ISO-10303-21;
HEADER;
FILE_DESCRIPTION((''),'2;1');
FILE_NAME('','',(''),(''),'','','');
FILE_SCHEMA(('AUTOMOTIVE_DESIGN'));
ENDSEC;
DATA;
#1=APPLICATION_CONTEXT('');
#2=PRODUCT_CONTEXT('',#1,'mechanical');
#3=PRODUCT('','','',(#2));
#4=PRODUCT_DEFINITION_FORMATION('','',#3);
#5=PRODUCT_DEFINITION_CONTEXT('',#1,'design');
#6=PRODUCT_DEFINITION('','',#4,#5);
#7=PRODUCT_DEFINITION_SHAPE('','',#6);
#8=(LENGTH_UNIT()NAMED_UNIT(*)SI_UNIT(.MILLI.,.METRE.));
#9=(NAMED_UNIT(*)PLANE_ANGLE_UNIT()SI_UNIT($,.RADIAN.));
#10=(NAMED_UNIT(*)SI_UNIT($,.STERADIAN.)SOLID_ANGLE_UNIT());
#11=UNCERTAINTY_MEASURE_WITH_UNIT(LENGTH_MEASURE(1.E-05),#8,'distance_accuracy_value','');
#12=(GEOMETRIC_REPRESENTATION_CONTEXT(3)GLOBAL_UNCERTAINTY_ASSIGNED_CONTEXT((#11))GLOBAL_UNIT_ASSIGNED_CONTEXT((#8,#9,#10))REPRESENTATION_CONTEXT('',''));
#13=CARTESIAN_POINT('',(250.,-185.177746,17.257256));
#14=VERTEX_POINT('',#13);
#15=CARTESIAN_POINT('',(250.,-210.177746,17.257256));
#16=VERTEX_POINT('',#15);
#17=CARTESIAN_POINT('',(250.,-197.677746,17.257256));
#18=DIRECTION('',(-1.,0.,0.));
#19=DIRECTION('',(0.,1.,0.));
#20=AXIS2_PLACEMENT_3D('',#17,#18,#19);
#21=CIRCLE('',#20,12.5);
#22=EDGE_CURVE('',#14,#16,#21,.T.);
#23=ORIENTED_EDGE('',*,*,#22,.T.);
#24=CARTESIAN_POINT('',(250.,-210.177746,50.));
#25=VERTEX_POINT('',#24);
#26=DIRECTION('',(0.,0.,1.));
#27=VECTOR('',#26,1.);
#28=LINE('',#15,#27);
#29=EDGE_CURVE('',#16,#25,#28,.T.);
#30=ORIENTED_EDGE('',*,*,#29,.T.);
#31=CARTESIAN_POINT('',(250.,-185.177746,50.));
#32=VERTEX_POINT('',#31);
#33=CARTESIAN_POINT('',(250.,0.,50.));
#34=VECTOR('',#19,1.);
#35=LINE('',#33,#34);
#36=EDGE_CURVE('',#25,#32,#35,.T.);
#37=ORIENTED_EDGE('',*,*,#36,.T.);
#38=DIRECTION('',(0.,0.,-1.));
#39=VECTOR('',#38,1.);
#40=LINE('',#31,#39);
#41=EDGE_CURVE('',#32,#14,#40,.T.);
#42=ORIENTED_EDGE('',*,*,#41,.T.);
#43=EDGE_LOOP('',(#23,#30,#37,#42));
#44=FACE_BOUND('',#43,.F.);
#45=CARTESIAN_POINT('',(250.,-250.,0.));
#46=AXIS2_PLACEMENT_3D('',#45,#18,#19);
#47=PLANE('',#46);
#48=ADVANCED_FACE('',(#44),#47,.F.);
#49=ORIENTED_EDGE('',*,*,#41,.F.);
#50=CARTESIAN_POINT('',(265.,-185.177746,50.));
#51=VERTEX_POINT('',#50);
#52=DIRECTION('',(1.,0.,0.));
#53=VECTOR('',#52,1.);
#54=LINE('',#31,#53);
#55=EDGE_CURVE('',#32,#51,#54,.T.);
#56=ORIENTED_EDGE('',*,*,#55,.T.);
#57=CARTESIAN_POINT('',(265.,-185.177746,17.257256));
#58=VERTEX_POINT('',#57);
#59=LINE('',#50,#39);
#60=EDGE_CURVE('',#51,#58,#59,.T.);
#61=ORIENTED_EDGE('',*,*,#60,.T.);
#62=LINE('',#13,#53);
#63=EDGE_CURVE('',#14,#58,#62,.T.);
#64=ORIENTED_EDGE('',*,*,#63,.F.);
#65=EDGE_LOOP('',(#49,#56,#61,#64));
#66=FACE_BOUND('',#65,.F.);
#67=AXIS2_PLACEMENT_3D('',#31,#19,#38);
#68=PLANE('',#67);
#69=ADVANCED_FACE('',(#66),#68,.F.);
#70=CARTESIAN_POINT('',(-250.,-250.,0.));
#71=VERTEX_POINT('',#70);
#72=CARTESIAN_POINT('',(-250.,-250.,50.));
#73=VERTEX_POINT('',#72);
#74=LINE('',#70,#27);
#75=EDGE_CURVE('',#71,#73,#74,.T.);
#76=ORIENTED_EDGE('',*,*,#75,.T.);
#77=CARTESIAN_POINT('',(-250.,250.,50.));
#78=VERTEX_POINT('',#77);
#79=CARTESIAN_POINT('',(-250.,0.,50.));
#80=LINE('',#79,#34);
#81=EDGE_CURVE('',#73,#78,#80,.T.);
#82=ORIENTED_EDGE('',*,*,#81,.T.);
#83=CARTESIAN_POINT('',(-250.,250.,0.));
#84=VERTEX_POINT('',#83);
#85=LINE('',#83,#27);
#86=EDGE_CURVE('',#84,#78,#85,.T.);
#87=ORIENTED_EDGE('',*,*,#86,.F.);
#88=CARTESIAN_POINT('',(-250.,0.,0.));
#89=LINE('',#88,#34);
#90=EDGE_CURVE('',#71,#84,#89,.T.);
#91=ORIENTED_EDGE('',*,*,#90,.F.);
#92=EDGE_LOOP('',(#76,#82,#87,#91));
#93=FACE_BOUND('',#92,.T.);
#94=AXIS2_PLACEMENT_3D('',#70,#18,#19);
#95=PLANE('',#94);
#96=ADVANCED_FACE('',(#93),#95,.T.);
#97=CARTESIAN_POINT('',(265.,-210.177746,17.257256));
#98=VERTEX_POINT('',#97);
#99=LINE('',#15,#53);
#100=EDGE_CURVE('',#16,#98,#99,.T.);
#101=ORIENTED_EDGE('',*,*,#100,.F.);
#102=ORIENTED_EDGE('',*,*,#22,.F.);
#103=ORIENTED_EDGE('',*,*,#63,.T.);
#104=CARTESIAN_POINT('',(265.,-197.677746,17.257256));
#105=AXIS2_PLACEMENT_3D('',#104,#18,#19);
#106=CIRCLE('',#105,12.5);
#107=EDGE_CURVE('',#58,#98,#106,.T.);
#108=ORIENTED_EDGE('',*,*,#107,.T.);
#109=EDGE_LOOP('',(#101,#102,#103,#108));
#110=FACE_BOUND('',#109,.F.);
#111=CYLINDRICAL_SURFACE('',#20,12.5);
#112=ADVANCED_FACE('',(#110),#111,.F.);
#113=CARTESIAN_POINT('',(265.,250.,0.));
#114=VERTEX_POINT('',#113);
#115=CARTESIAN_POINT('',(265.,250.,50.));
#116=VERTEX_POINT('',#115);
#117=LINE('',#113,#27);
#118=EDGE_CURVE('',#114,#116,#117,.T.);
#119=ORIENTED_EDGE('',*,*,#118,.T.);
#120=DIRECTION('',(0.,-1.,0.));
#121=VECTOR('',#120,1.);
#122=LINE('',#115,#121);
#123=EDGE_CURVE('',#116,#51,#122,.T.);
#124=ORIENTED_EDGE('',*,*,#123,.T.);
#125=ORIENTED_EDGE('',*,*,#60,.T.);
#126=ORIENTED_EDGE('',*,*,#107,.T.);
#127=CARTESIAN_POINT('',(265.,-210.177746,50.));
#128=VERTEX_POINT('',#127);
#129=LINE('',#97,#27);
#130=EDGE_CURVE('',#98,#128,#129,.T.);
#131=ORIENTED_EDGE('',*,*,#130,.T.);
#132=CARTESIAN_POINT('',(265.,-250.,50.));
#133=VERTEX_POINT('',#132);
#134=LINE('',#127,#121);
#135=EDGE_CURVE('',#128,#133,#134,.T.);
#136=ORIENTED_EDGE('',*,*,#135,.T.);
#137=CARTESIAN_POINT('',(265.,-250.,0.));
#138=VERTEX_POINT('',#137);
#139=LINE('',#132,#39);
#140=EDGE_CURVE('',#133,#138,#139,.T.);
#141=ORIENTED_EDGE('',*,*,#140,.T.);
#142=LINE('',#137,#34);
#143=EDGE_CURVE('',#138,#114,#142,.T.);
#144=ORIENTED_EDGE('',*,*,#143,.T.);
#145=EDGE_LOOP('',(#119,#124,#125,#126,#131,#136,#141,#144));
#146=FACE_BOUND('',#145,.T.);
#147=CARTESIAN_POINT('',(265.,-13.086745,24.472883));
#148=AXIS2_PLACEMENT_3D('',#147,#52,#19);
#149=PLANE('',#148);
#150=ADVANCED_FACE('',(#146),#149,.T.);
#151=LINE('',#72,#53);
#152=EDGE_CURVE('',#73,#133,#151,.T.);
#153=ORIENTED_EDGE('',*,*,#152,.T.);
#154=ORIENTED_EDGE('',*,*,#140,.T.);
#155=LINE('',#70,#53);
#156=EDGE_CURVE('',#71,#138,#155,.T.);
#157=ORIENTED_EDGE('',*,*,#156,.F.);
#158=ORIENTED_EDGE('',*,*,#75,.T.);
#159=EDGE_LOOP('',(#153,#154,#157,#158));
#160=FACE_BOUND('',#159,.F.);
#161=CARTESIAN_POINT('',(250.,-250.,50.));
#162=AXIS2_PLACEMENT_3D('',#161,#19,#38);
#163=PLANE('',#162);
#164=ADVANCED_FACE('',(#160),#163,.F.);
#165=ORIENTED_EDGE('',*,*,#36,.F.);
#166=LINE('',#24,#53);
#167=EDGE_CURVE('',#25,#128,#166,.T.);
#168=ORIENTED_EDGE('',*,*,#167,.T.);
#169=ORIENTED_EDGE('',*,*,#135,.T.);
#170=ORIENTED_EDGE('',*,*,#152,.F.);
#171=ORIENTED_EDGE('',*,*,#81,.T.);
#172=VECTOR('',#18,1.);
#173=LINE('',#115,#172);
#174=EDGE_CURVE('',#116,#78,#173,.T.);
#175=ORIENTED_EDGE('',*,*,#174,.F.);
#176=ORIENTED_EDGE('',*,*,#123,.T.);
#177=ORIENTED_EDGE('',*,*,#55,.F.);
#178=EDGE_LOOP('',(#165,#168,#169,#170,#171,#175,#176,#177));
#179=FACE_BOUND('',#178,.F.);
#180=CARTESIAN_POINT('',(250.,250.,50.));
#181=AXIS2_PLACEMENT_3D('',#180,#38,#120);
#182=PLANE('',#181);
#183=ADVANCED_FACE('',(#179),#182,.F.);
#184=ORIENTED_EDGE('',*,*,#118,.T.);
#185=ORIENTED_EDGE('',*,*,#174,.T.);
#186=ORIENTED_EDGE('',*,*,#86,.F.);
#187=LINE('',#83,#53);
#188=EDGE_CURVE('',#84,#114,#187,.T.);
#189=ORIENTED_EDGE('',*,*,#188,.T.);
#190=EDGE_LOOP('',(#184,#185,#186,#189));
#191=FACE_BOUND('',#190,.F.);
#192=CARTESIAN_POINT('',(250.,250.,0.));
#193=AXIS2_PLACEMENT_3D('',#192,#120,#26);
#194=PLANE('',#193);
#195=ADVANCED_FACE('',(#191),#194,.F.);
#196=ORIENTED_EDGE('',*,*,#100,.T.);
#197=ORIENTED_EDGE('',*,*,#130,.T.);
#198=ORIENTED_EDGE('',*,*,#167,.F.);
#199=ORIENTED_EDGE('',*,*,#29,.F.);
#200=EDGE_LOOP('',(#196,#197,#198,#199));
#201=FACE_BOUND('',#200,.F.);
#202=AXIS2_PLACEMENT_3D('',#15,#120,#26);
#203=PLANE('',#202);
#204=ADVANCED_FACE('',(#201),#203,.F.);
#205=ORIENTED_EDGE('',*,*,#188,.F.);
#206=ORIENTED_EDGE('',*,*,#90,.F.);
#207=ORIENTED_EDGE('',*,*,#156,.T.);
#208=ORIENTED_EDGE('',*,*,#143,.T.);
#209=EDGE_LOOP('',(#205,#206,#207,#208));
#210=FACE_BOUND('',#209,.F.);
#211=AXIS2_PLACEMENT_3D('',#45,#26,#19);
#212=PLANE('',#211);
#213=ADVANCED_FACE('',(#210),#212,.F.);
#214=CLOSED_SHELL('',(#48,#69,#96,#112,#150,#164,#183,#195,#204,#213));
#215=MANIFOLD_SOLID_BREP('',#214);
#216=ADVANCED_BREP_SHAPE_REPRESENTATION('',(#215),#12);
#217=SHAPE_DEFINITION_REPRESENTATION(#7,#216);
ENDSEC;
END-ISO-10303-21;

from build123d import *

# Parameters (mm, degrees)
F0_W     = 500
F0_H     = 500
F1_DEPTH = 50
F3_DEPTH = 15


with BuildPart() as f1:
    # F0 (on Top) → F1 (new body)
    with BuildSketch(Plane.XY):
        Rectangle(F0_W, F0_H)
    extrude(amount=F1_DEPTH)

    # F2 (on face) → F3 (join)
    with BuildSketch(Plane.YZ.offset(250)):
        with BuildLine():
            Line((-185.177746, 42.257256), (-185.177746, 17.257256))
            ThreePointArc((-185.177746, 17.257256), (-197.677746, 4.757256), (-210.177746, 17.257256))
            Line((-210.177746, 17.257256), (-210.177746, 42.257256))
            Line((-210.177746, 42.257256), (-210.177746, 50))
            Line((-210.177746, 50), (-250, 50))
            Line((-250, 50), (-250, 0))
            Line((-250, 0), (250, 0))
            Line((250, 0), (250, 50))
            Line((250, 50), (-185.177746, 50))
            Line((-185.177746, 50), (-185.177746, 42.257256))
        make_face()
    extrude(amount=F3_DEPTH)


solid = f1.part
